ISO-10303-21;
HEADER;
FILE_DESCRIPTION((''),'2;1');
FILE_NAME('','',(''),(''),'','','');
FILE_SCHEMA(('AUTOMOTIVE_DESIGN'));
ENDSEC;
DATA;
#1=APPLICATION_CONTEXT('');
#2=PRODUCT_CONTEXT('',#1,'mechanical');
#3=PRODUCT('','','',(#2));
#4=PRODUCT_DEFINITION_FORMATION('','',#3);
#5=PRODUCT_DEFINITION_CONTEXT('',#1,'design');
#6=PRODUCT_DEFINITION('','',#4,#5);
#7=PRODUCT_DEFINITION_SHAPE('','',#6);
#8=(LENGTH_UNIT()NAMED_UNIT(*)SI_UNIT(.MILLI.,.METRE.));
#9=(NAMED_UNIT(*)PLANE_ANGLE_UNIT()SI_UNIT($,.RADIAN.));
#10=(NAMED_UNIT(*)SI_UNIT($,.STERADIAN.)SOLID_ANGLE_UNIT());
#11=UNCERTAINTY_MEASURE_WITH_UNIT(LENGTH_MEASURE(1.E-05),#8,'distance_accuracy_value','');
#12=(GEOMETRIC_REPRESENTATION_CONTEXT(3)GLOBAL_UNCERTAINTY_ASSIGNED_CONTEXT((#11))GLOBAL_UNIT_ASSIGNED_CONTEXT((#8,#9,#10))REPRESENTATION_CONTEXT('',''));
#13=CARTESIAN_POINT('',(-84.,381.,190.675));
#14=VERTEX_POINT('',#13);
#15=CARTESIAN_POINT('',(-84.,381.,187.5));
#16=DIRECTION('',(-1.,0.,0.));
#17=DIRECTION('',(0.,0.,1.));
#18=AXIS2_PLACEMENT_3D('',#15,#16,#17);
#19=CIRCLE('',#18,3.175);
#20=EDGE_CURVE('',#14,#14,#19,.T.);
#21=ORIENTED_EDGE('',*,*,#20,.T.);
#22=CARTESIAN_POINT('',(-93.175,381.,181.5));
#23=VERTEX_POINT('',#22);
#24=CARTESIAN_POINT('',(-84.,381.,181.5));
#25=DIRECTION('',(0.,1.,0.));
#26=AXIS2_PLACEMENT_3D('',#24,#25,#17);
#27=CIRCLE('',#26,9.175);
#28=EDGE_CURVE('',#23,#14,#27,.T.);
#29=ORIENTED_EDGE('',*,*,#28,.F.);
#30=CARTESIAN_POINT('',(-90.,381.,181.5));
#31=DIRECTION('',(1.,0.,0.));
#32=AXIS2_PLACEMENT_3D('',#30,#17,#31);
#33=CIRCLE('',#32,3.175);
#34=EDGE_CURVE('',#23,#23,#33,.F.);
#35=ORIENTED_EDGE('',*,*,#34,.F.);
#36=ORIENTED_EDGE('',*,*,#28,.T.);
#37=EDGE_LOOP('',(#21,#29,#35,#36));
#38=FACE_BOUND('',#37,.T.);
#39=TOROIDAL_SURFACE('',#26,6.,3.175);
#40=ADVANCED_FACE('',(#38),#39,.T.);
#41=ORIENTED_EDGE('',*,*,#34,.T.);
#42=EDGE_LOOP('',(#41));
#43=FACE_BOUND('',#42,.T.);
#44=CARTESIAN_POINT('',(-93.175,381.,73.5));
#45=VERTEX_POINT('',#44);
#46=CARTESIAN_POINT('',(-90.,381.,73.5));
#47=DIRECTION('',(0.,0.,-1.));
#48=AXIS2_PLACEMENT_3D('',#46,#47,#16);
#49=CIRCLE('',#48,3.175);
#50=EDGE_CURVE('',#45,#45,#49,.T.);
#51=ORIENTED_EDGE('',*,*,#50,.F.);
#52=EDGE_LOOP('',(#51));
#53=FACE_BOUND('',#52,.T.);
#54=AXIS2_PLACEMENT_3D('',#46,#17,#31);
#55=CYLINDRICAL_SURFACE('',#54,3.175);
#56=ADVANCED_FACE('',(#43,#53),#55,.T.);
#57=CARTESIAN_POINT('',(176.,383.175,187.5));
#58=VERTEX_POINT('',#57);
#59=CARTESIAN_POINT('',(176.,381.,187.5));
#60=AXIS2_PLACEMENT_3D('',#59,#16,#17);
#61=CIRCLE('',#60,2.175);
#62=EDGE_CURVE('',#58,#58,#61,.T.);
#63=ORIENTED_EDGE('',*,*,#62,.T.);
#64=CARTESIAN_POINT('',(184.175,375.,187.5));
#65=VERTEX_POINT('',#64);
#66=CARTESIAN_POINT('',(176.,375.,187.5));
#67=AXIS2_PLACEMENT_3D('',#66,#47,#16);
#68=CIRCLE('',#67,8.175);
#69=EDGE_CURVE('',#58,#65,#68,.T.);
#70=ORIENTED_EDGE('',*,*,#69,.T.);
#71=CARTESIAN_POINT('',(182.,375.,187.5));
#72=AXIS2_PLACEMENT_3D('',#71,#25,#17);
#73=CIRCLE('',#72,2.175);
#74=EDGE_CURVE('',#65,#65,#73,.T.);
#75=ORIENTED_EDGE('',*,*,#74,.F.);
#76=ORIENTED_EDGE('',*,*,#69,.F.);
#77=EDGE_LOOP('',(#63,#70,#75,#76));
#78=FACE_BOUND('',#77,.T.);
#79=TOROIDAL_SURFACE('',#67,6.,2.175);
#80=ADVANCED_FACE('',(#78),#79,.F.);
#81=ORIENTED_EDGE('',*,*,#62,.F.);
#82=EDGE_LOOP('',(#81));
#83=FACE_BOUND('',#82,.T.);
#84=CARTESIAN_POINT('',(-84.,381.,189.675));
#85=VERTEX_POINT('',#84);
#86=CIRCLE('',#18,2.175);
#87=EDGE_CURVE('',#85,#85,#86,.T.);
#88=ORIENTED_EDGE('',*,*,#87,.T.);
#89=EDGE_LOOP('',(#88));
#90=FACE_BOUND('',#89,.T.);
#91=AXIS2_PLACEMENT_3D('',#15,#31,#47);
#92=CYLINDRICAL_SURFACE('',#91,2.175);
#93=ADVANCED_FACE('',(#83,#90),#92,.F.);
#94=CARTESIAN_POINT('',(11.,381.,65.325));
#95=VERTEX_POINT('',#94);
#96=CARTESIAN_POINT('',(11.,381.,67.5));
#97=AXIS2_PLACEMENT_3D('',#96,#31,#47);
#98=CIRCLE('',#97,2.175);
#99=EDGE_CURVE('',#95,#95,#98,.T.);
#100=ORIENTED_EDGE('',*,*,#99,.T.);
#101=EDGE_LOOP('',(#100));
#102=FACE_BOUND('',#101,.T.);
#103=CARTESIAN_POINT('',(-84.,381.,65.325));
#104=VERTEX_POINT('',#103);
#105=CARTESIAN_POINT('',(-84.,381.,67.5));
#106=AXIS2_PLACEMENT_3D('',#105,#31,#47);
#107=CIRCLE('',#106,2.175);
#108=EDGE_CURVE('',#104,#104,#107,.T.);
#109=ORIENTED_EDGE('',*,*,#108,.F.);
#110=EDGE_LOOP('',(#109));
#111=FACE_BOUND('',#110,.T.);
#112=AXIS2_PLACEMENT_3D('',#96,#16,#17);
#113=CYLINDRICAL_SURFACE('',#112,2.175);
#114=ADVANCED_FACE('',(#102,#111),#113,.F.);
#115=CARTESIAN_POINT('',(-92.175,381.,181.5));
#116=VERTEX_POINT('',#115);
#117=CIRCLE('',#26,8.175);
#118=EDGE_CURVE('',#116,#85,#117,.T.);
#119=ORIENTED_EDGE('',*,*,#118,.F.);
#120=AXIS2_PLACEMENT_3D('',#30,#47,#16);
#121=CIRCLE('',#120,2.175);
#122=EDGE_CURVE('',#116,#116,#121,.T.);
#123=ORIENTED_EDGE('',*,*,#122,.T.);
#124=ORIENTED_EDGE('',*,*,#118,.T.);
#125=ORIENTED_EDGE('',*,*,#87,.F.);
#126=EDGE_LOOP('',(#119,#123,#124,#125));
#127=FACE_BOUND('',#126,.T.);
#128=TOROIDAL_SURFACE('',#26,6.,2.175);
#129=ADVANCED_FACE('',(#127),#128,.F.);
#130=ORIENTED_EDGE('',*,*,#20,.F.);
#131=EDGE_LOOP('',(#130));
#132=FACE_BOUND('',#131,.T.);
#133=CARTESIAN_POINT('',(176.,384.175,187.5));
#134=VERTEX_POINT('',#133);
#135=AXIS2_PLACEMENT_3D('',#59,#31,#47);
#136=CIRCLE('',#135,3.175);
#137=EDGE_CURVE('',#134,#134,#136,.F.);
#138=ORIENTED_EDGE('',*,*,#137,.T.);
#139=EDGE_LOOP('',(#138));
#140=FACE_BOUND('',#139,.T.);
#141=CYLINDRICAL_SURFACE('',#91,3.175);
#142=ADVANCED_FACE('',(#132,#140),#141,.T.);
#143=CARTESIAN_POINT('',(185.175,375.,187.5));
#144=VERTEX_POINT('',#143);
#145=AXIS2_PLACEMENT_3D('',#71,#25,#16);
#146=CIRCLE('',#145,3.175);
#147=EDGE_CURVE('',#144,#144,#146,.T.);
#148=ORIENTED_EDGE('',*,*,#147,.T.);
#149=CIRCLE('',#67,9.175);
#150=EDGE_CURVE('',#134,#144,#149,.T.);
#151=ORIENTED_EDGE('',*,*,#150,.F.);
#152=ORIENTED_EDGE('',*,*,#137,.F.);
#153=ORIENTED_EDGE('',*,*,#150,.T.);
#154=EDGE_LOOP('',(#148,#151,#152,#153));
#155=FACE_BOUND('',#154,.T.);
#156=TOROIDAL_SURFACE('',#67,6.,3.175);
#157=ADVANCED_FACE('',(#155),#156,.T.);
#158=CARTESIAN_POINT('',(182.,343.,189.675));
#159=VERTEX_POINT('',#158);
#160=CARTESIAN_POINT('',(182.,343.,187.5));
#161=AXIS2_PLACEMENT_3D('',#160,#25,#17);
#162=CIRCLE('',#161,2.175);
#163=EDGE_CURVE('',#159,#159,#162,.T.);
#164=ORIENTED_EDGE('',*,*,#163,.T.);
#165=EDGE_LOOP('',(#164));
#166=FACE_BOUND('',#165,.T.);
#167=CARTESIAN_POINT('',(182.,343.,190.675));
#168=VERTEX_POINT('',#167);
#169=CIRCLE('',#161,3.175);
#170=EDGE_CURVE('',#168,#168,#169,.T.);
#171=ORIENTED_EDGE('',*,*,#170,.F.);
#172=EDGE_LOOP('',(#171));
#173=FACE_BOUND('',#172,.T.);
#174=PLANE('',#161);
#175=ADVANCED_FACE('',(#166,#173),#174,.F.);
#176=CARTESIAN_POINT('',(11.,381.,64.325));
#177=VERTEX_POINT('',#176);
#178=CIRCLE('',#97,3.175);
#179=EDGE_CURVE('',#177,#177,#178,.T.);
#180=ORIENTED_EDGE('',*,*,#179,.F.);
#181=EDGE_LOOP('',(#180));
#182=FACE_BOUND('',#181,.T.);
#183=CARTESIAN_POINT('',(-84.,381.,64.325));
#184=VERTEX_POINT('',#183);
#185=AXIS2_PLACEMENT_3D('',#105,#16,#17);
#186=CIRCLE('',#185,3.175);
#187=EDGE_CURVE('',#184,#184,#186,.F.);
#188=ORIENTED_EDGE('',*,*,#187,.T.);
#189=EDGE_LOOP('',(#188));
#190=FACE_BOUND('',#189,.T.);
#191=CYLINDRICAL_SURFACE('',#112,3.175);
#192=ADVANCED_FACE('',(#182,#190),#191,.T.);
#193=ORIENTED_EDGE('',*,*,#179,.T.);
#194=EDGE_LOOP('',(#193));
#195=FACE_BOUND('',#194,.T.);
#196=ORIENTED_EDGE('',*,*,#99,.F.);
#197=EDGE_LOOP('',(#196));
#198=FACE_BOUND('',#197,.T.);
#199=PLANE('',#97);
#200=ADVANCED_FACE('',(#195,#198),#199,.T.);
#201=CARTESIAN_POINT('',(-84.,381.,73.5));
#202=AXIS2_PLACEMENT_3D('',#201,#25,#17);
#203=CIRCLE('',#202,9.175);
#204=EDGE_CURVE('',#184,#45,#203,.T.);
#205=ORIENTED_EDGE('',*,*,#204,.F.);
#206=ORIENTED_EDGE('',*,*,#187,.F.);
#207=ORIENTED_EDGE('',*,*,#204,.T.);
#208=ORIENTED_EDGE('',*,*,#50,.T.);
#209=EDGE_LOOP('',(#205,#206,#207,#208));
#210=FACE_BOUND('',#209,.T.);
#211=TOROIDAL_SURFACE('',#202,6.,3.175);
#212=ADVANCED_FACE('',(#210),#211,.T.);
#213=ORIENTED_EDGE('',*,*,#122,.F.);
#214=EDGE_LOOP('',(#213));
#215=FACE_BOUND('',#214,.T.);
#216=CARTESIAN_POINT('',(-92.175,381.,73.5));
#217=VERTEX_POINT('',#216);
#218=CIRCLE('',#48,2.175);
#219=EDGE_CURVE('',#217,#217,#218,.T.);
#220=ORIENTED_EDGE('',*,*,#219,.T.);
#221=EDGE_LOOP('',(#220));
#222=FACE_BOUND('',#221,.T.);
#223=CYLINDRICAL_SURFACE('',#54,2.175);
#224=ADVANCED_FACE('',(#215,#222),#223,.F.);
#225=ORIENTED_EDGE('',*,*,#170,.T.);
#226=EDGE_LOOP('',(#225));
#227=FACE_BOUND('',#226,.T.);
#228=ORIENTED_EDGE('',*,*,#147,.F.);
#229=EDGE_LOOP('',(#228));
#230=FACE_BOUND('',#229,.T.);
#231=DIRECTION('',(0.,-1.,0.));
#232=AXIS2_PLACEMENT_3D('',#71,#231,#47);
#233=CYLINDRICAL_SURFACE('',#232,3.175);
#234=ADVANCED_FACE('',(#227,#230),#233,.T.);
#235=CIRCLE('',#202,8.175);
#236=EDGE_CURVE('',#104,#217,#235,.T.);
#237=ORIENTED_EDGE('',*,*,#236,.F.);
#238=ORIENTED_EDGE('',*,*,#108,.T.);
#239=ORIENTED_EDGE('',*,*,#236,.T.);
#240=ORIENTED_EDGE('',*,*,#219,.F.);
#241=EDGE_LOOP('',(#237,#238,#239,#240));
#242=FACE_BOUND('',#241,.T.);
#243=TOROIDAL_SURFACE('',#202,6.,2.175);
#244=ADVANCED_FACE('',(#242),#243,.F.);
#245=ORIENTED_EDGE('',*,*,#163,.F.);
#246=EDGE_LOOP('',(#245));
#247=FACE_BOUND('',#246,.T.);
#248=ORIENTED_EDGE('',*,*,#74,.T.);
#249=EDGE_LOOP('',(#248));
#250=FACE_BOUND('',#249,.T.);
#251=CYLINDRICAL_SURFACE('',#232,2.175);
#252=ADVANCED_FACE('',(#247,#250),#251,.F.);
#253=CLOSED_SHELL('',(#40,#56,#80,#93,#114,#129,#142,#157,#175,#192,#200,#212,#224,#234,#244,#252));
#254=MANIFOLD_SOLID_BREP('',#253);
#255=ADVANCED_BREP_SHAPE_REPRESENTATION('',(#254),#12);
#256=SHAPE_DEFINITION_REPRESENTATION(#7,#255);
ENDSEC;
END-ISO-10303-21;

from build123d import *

# Parameters (mm, degrees)
TUBE_PROFILE_R   = 3.175
TUBE_PROFILE_R_2 = 2.175


with BuildPart() as part:
    # Tube: sweep along a curve in space
    with BuildLine() as tube_path:
        Line((11, 381, 67.5), (-84, 381, 67.5))
        ThreePointArc((-90, 381, 73.5), (-88.242640687, 381, 69.257359313), (-84, 381, 67.5))
        Line((-90, 381, 73.5), (-90, 381, 181.5))
        ThreePointArc((-84, 381, 187.5), (-88.242640687, 381, 185.742640687), (-90, 381, 181.5))
        Line((-84, 381, 187.5), (176, 381, 187.5))
        ThreePointArc((182, 375, 187.5), (180.242640687, 379.242640687, 187.5), (176, 381, 187.5))
        Line((182, 375, 187.5), (182, 343, 187.5))
    # Tube profile (on start of the path) → Tube (sweep)
    with BuildSketch(Plane(origin=(11, 381, 67.5), x_dir=(0, 0, -1), z_dir=(-1, 0, 0))):
        Circle(TUBE_PROFILE_R)
        Circle(TUBE_PROFILE_R_2, mode=Mode.SUBTRACT)
    sweep(path=tube_path.line)


solid = part.part
